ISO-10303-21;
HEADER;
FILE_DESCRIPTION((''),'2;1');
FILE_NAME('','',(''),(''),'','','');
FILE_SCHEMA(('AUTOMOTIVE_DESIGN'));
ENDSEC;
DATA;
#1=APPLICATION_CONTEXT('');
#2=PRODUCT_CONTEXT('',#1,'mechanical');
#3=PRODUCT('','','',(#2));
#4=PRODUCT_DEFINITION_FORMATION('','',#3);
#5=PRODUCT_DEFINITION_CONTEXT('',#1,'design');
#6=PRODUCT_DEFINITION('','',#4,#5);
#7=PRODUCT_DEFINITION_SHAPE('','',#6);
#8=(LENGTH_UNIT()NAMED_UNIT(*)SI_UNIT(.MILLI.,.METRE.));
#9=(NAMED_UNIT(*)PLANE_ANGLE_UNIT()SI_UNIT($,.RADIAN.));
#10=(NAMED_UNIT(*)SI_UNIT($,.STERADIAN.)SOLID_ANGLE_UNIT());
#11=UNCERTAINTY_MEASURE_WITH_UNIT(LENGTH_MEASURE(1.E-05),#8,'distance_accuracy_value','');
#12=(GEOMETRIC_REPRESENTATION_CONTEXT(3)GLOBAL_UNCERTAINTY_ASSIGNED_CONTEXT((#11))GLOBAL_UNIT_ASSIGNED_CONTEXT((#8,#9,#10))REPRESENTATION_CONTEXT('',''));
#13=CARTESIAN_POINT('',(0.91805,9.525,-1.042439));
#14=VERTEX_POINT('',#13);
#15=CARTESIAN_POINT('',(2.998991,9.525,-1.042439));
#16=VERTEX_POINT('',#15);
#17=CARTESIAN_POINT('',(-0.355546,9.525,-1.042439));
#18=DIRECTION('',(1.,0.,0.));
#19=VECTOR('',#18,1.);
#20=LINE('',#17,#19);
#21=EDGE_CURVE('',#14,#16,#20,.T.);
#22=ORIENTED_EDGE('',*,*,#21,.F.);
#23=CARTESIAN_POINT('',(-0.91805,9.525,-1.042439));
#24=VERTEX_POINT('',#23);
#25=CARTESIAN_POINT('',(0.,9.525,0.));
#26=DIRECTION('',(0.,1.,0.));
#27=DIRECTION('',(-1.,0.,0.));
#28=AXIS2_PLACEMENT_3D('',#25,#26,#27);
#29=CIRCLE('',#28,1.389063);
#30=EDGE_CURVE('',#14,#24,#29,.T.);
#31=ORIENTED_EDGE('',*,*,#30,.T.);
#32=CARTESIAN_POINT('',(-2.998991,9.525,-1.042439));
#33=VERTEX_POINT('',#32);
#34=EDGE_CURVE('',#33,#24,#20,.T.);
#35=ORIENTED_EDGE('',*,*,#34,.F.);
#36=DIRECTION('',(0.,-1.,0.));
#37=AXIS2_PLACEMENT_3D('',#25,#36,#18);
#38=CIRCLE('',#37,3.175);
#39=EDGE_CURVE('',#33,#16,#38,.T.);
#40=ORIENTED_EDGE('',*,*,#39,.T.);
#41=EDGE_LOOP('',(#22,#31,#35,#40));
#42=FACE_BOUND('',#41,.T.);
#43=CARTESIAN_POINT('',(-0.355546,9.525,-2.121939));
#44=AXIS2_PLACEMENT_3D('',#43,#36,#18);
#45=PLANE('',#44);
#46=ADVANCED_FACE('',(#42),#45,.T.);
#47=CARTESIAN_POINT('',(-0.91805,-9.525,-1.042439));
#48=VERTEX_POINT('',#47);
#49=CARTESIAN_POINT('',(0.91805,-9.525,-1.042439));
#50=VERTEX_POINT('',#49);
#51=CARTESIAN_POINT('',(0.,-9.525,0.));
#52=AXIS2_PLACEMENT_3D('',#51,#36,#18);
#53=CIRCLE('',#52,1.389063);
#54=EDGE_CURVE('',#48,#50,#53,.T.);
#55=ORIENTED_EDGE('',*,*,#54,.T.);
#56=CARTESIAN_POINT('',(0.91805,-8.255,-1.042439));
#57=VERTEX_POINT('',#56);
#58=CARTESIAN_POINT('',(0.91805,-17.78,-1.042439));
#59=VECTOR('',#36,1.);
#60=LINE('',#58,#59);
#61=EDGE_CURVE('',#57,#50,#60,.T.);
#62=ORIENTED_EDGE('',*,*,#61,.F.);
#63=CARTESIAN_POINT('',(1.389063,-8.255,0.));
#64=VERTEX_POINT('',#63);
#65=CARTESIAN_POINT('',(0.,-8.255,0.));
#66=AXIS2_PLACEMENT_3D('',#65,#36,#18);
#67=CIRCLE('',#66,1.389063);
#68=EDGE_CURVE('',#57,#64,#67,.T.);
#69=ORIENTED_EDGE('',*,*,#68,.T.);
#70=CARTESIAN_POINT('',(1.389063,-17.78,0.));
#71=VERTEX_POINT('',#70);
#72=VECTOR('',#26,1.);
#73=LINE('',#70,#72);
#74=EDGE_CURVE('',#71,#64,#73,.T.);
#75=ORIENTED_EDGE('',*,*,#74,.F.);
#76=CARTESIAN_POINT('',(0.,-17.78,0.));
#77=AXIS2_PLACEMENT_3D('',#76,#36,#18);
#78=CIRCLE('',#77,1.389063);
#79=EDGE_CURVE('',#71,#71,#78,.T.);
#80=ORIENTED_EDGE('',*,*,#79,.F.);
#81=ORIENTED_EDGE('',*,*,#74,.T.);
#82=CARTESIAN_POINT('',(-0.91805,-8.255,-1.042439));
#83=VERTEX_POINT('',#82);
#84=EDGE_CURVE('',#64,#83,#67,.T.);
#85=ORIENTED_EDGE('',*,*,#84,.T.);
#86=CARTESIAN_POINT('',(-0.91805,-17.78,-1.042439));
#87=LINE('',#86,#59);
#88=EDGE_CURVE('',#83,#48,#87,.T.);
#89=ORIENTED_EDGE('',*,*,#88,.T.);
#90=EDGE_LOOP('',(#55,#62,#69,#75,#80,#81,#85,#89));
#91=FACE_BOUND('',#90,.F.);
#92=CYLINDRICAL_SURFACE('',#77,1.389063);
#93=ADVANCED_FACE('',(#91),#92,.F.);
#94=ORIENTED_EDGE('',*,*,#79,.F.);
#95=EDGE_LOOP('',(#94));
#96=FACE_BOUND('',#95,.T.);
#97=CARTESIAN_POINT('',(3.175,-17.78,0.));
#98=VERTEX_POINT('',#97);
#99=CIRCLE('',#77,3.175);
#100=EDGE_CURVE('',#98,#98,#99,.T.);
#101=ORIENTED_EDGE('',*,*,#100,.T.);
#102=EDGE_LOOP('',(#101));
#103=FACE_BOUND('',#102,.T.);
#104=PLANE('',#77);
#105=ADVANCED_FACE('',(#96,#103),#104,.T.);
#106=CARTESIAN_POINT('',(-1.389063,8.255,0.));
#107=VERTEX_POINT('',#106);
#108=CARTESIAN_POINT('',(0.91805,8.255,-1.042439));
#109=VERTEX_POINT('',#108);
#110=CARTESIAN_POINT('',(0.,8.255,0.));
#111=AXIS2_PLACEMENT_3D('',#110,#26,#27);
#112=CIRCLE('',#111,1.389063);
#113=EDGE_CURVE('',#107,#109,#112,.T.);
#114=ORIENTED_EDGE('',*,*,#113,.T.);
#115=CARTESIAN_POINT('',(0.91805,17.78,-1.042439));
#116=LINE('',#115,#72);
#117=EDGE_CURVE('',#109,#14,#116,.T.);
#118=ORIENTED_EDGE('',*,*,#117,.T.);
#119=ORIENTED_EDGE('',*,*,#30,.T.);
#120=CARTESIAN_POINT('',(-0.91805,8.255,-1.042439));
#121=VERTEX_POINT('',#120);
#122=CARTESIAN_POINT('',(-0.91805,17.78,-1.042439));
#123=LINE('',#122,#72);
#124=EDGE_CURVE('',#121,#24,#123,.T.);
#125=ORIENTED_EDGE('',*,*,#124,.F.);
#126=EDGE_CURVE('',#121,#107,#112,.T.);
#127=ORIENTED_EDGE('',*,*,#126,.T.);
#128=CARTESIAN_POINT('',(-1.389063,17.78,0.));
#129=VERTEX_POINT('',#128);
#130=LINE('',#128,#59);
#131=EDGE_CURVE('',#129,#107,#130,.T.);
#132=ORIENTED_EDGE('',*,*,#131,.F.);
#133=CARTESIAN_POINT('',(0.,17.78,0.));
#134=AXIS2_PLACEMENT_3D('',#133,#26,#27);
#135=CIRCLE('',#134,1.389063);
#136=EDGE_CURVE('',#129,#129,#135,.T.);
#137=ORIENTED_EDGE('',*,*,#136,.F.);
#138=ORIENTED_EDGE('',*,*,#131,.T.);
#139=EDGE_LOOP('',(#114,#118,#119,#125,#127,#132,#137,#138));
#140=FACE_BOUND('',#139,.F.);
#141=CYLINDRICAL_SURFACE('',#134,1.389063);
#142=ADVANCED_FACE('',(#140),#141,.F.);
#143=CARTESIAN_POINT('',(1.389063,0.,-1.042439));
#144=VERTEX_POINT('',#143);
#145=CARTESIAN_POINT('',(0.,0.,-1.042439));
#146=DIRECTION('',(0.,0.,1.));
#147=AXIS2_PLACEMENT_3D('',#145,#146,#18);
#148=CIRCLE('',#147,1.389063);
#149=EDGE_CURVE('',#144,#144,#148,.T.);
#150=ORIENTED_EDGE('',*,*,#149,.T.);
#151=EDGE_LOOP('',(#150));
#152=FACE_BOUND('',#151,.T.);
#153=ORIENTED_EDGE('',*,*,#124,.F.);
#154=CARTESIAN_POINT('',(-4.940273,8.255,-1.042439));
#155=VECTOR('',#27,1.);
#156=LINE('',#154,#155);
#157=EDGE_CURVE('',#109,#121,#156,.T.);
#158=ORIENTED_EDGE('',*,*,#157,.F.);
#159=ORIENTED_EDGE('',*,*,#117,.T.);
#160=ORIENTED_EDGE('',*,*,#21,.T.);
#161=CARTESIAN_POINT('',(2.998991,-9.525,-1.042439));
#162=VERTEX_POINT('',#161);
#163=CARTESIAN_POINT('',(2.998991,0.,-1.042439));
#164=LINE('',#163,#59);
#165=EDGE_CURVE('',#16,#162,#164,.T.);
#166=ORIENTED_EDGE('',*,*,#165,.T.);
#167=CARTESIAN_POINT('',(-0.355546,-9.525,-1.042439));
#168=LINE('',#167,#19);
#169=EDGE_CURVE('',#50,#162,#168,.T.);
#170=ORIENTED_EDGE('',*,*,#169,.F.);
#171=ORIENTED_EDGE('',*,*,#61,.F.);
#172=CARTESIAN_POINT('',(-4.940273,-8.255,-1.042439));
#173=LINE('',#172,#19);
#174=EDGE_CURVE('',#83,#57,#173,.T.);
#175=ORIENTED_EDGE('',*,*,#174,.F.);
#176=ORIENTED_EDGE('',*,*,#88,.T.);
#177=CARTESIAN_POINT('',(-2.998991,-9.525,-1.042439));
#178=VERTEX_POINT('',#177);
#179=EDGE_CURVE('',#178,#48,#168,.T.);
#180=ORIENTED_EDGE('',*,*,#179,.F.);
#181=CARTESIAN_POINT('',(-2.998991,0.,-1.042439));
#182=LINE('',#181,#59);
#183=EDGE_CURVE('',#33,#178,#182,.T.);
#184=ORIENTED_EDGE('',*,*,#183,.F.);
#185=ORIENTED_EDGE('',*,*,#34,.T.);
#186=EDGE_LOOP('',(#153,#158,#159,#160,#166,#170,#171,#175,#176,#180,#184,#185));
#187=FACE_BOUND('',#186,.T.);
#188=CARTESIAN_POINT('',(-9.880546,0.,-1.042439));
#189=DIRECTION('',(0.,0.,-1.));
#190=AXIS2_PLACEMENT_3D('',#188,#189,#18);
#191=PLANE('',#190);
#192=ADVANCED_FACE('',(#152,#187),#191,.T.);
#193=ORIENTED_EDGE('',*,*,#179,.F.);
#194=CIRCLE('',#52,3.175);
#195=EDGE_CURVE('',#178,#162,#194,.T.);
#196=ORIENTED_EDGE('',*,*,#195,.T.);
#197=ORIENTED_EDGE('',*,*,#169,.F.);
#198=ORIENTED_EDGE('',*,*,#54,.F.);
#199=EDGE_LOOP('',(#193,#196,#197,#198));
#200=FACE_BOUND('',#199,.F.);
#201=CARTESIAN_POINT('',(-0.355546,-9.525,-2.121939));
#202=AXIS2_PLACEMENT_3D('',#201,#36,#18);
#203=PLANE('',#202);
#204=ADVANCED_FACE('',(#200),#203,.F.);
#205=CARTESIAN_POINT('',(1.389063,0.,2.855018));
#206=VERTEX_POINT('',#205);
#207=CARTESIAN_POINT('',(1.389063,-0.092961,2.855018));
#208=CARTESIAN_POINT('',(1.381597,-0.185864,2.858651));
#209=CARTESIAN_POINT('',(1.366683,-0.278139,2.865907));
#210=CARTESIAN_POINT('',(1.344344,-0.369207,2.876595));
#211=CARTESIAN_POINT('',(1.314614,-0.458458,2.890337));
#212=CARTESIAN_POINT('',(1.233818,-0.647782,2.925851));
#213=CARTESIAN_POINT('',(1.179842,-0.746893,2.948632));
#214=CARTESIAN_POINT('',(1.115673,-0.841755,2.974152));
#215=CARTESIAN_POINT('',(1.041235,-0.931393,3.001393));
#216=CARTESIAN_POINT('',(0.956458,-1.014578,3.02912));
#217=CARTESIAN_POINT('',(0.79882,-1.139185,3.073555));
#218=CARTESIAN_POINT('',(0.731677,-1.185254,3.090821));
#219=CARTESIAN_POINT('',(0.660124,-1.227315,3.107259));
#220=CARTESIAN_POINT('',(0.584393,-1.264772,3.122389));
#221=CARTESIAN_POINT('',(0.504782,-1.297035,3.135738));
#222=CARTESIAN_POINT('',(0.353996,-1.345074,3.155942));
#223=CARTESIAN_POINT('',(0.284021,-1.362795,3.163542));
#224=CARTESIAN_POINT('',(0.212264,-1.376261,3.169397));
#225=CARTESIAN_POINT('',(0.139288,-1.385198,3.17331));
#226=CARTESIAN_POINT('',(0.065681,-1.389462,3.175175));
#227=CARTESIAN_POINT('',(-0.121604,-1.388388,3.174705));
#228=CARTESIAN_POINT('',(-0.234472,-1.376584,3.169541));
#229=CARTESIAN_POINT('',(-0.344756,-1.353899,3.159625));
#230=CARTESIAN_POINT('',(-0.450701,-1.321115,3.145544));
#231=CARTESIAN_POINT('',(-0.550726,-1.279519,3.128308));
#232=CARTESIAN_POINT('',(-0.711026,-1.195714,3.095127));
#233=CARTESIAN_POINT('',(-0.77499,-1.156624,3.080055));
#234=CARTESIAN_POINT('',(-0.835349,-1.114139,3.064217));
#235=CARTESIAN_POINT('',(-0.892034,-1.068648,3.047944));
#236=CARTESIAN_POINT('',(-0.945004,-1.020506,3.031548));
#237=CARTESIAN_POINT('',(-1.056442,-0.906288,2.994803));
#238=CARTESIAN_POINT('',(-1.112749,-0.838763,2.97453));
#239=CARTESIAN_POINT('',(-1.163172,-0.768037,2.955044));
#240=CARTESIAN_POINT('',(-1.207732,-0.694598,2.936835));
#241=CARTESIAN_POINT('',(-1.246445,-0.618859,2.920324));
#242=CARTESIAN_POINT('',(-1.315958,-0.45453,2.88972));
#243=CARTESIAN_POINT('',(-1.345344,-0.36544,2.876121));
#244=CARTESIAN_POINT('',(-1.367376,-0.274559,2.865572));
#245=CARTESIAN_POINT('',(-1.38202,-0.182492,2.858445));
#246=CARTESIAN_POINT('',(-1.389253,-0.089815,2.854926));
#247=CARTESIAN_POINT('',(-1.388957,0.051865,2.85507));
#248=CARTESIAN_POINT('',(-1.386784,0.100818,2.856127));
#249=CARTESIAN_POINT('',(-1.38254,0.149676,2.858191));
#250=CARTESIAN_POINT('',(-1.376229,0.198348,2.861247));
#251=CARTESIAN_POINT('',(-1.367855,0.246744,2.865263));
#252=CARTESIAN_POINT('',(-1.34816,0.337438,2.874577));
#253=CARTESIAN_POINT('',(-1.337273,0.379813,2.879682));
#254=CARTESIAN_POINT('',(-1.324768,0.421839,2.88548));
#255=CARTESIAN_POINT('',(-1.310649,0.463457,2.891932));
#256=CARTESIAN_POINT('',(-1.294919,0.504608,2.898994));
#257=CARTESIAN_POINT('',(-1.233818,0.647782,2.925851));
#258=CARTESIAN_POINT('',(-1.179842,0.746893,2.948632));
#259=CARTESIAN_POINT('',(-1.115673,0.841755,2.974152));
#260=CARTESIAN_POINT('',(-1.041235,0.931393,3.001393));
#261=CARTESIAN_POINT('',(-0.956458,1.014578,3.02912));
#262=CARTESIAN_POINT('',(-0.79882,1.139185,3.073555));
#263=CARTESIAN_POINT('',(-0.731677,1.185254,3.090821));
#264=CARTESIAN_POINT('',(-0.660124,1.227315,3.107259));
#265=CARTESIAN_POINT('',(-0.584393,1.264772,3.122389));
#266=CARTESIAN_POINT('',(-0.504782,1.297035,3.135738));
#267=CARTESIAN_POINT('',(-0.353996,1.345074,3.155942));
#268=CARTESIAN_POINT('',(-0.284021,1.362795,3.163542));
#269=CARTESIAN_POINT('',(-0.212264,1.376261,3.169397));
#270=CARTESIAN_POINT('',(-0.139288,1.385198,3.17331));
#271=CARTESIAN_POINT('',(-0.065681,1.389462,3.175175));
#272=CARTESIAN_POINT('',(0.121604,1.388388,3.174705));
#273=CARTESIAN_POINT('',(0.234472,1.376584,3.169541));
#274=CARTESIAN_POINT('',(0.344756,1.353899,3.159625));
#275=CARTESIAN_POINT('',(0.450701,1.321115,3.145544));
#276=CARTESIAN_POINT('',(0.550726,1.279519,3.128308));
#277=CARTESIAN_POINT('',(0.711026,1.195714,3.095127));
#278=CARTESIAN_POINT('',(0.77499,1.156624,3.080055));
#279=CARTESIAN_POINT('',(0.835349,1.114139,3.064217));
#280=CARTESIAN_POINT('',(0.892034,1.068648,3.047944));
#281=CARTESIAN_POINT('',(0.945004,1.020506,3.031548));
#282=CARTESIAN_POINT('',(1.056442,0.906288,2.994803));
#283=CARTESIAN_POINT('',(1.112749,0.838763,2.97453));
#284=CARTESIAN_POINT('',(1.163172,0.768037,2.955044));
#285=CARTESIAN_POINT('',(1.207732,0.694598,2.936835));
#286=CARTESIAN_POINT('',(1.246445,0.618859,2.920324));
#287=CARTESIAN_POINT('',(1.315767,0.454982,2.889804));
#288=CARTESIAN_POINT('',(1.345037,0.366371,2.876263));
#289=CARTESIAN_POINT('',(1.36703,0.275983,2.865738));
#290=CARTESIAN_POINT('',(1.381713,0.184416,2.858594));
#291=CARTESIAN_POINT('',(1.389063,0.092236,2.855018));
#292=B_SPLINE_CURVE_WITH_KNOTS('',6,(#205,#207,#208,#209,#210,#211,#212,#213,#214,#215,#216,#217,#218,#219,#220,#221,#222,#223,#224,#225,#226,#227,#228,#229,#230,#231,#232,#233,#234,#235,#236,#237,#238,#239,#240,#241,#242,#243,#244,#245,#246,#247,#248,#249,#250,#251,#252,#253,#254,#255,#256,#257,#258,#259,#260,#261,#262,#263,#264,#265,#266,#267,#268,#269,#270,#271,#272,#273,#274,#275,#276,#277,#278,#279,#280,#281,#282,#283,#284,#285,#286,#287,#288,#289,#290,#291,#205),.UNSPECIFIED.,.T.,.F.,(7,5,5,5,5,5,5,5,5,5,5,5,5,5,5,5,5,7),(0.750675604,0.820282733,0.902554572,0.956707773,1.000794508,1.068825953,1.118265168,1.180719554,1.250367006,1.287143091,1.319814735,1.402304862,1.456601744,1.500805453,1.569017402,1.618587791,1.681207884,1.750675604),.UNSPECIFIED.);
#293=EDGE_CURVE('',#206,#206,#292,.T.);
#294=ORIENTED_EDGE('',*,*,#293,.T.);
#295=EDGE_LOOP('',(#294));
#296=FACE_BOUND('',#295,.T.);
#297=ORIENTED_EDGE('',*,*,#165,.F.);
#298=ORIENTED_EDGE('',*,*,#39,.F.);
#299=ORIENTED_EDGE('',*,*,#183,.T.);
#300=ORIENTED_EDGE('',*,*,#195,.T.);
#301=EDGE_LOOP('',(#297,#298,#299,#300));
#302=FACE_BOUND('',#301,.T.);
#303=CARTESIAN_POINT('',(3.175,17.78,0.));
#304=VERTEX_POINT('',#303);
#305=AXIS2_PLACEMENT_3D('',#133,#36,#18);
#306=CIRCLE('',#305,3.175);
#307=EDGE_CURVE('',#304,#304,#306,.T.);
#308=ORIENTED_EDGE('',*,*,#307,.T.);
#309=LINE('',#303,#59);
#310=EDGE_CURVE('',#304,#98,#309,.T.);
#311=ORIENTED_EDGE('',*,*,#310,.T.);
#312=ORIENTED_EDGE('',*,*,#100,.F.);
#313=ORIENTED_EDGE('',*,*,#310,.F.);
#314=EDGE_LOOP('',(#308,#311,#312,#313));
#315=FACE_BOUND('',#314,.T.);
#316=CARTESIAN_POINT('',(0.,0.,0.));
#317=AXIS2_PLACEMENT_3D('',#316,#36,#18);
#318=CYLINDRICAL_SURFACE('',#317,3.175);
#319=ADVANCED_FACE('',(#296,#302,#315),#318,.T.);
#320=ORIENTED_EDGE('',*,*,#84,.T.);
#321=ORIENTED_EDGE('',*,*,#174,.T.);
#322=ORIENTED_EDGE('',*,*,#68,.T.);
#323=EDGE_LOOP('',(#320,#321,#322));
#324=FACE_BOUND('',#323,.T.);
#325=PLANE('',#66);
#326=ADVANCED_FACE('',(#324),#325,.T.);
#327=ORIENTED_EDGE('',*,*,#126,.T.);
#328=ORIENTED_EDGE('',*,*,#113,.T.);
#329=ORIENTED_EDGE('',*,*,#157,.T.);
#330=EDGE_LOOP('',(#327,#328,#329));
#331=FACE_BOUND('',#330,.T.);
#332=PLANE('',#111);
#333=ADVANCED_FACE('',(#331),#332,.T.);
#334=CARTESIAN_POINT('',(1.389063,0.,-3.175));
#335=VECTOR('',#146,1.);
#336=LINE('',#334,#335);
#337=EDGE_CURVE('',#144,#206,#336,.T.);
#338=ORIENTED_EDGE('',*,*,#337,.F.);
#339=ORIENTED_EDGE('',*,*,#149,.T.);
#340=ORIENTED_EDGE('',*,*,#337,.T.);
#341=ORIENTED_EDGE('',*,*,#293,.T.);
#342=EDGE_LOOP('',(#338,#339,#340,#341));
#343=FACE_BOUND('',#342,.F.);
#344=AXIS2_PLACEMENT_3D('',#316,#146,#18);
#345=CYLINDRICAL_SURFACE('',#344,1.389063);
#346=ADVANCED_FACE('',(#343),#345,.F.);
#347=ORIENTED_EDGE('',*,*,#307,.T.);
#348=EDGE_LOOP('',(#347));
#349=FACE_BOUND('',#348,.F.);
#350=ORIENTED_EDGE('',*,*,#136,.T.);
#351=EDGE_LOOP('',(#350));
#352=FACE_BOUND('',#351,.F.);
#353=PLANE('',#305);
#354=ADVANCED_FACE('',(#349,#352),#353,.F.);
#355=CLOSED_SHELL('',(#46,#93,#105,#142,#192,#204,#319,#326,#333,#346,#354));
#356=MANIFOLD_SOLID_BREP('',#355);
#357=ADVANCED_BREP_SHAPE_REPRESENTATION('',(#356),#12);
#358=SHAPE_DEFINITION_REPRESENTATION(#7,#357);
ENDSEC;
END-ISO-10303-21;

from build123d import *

# Parameters (mm, degrees)
F0_R     = 3.175
F1_DEPTH = 17.78
F2_R     = 1.3890625
F3_DEPTH = 9.525
F4_R     = 1.3890625
F5_DEPTH = 9.525
F6_W     = 19.05
F6_H     = 2.159
F7_DEPTH = 9.525
F8_R     = 1.3890625
F9_DEPTH = 3.175


with BuildPart() as f1:
    # F0 (on Front) → F1 (new body, symmetric)
    with BuildSketch(Plane.XZ):
        Circle(F0_R)
    extrude(amount=F1_DEPTH, both=True)

    # F2 (on face) → F3 (cut)
    with BuildSketch(Plane.XZ.offset(17.78)):
        Circle(F2_R)
    extrude(amount=-F3_DEPTH, mode=Mode.SUBTRACT)

    # F4 (on face) → F5 (cut)
    with BuildSketch(Plane(origin=(0, 17.78, 0), x_dir=(-1, 0, 0), z_dir=(0, 1, 0))):
        Circle(F4_R)
    extrude(amount=-F5_DEPTH, mode=Mode.SUBTRACT)

    # F6 (on Front) → F7 (cut, symmetric)
    with BuildSketch(Plane.XZ):
        with Locations((-0.3555464804, -2.1219391367)):
            Rectangle(F6_W, F6_H)
    extrude(amount=F7_DEPTH, both=True, mode=Mode.SUBTRACT)

    # F8 (on Top) → F9 (cut, symmetric)
    with BuildSketch(Plane.XY):
        Circle(F8_R)
    extrude(amount=F9_DEPTH, both=True, mode=Mode.SUBTRACT)


solid = f1.part
